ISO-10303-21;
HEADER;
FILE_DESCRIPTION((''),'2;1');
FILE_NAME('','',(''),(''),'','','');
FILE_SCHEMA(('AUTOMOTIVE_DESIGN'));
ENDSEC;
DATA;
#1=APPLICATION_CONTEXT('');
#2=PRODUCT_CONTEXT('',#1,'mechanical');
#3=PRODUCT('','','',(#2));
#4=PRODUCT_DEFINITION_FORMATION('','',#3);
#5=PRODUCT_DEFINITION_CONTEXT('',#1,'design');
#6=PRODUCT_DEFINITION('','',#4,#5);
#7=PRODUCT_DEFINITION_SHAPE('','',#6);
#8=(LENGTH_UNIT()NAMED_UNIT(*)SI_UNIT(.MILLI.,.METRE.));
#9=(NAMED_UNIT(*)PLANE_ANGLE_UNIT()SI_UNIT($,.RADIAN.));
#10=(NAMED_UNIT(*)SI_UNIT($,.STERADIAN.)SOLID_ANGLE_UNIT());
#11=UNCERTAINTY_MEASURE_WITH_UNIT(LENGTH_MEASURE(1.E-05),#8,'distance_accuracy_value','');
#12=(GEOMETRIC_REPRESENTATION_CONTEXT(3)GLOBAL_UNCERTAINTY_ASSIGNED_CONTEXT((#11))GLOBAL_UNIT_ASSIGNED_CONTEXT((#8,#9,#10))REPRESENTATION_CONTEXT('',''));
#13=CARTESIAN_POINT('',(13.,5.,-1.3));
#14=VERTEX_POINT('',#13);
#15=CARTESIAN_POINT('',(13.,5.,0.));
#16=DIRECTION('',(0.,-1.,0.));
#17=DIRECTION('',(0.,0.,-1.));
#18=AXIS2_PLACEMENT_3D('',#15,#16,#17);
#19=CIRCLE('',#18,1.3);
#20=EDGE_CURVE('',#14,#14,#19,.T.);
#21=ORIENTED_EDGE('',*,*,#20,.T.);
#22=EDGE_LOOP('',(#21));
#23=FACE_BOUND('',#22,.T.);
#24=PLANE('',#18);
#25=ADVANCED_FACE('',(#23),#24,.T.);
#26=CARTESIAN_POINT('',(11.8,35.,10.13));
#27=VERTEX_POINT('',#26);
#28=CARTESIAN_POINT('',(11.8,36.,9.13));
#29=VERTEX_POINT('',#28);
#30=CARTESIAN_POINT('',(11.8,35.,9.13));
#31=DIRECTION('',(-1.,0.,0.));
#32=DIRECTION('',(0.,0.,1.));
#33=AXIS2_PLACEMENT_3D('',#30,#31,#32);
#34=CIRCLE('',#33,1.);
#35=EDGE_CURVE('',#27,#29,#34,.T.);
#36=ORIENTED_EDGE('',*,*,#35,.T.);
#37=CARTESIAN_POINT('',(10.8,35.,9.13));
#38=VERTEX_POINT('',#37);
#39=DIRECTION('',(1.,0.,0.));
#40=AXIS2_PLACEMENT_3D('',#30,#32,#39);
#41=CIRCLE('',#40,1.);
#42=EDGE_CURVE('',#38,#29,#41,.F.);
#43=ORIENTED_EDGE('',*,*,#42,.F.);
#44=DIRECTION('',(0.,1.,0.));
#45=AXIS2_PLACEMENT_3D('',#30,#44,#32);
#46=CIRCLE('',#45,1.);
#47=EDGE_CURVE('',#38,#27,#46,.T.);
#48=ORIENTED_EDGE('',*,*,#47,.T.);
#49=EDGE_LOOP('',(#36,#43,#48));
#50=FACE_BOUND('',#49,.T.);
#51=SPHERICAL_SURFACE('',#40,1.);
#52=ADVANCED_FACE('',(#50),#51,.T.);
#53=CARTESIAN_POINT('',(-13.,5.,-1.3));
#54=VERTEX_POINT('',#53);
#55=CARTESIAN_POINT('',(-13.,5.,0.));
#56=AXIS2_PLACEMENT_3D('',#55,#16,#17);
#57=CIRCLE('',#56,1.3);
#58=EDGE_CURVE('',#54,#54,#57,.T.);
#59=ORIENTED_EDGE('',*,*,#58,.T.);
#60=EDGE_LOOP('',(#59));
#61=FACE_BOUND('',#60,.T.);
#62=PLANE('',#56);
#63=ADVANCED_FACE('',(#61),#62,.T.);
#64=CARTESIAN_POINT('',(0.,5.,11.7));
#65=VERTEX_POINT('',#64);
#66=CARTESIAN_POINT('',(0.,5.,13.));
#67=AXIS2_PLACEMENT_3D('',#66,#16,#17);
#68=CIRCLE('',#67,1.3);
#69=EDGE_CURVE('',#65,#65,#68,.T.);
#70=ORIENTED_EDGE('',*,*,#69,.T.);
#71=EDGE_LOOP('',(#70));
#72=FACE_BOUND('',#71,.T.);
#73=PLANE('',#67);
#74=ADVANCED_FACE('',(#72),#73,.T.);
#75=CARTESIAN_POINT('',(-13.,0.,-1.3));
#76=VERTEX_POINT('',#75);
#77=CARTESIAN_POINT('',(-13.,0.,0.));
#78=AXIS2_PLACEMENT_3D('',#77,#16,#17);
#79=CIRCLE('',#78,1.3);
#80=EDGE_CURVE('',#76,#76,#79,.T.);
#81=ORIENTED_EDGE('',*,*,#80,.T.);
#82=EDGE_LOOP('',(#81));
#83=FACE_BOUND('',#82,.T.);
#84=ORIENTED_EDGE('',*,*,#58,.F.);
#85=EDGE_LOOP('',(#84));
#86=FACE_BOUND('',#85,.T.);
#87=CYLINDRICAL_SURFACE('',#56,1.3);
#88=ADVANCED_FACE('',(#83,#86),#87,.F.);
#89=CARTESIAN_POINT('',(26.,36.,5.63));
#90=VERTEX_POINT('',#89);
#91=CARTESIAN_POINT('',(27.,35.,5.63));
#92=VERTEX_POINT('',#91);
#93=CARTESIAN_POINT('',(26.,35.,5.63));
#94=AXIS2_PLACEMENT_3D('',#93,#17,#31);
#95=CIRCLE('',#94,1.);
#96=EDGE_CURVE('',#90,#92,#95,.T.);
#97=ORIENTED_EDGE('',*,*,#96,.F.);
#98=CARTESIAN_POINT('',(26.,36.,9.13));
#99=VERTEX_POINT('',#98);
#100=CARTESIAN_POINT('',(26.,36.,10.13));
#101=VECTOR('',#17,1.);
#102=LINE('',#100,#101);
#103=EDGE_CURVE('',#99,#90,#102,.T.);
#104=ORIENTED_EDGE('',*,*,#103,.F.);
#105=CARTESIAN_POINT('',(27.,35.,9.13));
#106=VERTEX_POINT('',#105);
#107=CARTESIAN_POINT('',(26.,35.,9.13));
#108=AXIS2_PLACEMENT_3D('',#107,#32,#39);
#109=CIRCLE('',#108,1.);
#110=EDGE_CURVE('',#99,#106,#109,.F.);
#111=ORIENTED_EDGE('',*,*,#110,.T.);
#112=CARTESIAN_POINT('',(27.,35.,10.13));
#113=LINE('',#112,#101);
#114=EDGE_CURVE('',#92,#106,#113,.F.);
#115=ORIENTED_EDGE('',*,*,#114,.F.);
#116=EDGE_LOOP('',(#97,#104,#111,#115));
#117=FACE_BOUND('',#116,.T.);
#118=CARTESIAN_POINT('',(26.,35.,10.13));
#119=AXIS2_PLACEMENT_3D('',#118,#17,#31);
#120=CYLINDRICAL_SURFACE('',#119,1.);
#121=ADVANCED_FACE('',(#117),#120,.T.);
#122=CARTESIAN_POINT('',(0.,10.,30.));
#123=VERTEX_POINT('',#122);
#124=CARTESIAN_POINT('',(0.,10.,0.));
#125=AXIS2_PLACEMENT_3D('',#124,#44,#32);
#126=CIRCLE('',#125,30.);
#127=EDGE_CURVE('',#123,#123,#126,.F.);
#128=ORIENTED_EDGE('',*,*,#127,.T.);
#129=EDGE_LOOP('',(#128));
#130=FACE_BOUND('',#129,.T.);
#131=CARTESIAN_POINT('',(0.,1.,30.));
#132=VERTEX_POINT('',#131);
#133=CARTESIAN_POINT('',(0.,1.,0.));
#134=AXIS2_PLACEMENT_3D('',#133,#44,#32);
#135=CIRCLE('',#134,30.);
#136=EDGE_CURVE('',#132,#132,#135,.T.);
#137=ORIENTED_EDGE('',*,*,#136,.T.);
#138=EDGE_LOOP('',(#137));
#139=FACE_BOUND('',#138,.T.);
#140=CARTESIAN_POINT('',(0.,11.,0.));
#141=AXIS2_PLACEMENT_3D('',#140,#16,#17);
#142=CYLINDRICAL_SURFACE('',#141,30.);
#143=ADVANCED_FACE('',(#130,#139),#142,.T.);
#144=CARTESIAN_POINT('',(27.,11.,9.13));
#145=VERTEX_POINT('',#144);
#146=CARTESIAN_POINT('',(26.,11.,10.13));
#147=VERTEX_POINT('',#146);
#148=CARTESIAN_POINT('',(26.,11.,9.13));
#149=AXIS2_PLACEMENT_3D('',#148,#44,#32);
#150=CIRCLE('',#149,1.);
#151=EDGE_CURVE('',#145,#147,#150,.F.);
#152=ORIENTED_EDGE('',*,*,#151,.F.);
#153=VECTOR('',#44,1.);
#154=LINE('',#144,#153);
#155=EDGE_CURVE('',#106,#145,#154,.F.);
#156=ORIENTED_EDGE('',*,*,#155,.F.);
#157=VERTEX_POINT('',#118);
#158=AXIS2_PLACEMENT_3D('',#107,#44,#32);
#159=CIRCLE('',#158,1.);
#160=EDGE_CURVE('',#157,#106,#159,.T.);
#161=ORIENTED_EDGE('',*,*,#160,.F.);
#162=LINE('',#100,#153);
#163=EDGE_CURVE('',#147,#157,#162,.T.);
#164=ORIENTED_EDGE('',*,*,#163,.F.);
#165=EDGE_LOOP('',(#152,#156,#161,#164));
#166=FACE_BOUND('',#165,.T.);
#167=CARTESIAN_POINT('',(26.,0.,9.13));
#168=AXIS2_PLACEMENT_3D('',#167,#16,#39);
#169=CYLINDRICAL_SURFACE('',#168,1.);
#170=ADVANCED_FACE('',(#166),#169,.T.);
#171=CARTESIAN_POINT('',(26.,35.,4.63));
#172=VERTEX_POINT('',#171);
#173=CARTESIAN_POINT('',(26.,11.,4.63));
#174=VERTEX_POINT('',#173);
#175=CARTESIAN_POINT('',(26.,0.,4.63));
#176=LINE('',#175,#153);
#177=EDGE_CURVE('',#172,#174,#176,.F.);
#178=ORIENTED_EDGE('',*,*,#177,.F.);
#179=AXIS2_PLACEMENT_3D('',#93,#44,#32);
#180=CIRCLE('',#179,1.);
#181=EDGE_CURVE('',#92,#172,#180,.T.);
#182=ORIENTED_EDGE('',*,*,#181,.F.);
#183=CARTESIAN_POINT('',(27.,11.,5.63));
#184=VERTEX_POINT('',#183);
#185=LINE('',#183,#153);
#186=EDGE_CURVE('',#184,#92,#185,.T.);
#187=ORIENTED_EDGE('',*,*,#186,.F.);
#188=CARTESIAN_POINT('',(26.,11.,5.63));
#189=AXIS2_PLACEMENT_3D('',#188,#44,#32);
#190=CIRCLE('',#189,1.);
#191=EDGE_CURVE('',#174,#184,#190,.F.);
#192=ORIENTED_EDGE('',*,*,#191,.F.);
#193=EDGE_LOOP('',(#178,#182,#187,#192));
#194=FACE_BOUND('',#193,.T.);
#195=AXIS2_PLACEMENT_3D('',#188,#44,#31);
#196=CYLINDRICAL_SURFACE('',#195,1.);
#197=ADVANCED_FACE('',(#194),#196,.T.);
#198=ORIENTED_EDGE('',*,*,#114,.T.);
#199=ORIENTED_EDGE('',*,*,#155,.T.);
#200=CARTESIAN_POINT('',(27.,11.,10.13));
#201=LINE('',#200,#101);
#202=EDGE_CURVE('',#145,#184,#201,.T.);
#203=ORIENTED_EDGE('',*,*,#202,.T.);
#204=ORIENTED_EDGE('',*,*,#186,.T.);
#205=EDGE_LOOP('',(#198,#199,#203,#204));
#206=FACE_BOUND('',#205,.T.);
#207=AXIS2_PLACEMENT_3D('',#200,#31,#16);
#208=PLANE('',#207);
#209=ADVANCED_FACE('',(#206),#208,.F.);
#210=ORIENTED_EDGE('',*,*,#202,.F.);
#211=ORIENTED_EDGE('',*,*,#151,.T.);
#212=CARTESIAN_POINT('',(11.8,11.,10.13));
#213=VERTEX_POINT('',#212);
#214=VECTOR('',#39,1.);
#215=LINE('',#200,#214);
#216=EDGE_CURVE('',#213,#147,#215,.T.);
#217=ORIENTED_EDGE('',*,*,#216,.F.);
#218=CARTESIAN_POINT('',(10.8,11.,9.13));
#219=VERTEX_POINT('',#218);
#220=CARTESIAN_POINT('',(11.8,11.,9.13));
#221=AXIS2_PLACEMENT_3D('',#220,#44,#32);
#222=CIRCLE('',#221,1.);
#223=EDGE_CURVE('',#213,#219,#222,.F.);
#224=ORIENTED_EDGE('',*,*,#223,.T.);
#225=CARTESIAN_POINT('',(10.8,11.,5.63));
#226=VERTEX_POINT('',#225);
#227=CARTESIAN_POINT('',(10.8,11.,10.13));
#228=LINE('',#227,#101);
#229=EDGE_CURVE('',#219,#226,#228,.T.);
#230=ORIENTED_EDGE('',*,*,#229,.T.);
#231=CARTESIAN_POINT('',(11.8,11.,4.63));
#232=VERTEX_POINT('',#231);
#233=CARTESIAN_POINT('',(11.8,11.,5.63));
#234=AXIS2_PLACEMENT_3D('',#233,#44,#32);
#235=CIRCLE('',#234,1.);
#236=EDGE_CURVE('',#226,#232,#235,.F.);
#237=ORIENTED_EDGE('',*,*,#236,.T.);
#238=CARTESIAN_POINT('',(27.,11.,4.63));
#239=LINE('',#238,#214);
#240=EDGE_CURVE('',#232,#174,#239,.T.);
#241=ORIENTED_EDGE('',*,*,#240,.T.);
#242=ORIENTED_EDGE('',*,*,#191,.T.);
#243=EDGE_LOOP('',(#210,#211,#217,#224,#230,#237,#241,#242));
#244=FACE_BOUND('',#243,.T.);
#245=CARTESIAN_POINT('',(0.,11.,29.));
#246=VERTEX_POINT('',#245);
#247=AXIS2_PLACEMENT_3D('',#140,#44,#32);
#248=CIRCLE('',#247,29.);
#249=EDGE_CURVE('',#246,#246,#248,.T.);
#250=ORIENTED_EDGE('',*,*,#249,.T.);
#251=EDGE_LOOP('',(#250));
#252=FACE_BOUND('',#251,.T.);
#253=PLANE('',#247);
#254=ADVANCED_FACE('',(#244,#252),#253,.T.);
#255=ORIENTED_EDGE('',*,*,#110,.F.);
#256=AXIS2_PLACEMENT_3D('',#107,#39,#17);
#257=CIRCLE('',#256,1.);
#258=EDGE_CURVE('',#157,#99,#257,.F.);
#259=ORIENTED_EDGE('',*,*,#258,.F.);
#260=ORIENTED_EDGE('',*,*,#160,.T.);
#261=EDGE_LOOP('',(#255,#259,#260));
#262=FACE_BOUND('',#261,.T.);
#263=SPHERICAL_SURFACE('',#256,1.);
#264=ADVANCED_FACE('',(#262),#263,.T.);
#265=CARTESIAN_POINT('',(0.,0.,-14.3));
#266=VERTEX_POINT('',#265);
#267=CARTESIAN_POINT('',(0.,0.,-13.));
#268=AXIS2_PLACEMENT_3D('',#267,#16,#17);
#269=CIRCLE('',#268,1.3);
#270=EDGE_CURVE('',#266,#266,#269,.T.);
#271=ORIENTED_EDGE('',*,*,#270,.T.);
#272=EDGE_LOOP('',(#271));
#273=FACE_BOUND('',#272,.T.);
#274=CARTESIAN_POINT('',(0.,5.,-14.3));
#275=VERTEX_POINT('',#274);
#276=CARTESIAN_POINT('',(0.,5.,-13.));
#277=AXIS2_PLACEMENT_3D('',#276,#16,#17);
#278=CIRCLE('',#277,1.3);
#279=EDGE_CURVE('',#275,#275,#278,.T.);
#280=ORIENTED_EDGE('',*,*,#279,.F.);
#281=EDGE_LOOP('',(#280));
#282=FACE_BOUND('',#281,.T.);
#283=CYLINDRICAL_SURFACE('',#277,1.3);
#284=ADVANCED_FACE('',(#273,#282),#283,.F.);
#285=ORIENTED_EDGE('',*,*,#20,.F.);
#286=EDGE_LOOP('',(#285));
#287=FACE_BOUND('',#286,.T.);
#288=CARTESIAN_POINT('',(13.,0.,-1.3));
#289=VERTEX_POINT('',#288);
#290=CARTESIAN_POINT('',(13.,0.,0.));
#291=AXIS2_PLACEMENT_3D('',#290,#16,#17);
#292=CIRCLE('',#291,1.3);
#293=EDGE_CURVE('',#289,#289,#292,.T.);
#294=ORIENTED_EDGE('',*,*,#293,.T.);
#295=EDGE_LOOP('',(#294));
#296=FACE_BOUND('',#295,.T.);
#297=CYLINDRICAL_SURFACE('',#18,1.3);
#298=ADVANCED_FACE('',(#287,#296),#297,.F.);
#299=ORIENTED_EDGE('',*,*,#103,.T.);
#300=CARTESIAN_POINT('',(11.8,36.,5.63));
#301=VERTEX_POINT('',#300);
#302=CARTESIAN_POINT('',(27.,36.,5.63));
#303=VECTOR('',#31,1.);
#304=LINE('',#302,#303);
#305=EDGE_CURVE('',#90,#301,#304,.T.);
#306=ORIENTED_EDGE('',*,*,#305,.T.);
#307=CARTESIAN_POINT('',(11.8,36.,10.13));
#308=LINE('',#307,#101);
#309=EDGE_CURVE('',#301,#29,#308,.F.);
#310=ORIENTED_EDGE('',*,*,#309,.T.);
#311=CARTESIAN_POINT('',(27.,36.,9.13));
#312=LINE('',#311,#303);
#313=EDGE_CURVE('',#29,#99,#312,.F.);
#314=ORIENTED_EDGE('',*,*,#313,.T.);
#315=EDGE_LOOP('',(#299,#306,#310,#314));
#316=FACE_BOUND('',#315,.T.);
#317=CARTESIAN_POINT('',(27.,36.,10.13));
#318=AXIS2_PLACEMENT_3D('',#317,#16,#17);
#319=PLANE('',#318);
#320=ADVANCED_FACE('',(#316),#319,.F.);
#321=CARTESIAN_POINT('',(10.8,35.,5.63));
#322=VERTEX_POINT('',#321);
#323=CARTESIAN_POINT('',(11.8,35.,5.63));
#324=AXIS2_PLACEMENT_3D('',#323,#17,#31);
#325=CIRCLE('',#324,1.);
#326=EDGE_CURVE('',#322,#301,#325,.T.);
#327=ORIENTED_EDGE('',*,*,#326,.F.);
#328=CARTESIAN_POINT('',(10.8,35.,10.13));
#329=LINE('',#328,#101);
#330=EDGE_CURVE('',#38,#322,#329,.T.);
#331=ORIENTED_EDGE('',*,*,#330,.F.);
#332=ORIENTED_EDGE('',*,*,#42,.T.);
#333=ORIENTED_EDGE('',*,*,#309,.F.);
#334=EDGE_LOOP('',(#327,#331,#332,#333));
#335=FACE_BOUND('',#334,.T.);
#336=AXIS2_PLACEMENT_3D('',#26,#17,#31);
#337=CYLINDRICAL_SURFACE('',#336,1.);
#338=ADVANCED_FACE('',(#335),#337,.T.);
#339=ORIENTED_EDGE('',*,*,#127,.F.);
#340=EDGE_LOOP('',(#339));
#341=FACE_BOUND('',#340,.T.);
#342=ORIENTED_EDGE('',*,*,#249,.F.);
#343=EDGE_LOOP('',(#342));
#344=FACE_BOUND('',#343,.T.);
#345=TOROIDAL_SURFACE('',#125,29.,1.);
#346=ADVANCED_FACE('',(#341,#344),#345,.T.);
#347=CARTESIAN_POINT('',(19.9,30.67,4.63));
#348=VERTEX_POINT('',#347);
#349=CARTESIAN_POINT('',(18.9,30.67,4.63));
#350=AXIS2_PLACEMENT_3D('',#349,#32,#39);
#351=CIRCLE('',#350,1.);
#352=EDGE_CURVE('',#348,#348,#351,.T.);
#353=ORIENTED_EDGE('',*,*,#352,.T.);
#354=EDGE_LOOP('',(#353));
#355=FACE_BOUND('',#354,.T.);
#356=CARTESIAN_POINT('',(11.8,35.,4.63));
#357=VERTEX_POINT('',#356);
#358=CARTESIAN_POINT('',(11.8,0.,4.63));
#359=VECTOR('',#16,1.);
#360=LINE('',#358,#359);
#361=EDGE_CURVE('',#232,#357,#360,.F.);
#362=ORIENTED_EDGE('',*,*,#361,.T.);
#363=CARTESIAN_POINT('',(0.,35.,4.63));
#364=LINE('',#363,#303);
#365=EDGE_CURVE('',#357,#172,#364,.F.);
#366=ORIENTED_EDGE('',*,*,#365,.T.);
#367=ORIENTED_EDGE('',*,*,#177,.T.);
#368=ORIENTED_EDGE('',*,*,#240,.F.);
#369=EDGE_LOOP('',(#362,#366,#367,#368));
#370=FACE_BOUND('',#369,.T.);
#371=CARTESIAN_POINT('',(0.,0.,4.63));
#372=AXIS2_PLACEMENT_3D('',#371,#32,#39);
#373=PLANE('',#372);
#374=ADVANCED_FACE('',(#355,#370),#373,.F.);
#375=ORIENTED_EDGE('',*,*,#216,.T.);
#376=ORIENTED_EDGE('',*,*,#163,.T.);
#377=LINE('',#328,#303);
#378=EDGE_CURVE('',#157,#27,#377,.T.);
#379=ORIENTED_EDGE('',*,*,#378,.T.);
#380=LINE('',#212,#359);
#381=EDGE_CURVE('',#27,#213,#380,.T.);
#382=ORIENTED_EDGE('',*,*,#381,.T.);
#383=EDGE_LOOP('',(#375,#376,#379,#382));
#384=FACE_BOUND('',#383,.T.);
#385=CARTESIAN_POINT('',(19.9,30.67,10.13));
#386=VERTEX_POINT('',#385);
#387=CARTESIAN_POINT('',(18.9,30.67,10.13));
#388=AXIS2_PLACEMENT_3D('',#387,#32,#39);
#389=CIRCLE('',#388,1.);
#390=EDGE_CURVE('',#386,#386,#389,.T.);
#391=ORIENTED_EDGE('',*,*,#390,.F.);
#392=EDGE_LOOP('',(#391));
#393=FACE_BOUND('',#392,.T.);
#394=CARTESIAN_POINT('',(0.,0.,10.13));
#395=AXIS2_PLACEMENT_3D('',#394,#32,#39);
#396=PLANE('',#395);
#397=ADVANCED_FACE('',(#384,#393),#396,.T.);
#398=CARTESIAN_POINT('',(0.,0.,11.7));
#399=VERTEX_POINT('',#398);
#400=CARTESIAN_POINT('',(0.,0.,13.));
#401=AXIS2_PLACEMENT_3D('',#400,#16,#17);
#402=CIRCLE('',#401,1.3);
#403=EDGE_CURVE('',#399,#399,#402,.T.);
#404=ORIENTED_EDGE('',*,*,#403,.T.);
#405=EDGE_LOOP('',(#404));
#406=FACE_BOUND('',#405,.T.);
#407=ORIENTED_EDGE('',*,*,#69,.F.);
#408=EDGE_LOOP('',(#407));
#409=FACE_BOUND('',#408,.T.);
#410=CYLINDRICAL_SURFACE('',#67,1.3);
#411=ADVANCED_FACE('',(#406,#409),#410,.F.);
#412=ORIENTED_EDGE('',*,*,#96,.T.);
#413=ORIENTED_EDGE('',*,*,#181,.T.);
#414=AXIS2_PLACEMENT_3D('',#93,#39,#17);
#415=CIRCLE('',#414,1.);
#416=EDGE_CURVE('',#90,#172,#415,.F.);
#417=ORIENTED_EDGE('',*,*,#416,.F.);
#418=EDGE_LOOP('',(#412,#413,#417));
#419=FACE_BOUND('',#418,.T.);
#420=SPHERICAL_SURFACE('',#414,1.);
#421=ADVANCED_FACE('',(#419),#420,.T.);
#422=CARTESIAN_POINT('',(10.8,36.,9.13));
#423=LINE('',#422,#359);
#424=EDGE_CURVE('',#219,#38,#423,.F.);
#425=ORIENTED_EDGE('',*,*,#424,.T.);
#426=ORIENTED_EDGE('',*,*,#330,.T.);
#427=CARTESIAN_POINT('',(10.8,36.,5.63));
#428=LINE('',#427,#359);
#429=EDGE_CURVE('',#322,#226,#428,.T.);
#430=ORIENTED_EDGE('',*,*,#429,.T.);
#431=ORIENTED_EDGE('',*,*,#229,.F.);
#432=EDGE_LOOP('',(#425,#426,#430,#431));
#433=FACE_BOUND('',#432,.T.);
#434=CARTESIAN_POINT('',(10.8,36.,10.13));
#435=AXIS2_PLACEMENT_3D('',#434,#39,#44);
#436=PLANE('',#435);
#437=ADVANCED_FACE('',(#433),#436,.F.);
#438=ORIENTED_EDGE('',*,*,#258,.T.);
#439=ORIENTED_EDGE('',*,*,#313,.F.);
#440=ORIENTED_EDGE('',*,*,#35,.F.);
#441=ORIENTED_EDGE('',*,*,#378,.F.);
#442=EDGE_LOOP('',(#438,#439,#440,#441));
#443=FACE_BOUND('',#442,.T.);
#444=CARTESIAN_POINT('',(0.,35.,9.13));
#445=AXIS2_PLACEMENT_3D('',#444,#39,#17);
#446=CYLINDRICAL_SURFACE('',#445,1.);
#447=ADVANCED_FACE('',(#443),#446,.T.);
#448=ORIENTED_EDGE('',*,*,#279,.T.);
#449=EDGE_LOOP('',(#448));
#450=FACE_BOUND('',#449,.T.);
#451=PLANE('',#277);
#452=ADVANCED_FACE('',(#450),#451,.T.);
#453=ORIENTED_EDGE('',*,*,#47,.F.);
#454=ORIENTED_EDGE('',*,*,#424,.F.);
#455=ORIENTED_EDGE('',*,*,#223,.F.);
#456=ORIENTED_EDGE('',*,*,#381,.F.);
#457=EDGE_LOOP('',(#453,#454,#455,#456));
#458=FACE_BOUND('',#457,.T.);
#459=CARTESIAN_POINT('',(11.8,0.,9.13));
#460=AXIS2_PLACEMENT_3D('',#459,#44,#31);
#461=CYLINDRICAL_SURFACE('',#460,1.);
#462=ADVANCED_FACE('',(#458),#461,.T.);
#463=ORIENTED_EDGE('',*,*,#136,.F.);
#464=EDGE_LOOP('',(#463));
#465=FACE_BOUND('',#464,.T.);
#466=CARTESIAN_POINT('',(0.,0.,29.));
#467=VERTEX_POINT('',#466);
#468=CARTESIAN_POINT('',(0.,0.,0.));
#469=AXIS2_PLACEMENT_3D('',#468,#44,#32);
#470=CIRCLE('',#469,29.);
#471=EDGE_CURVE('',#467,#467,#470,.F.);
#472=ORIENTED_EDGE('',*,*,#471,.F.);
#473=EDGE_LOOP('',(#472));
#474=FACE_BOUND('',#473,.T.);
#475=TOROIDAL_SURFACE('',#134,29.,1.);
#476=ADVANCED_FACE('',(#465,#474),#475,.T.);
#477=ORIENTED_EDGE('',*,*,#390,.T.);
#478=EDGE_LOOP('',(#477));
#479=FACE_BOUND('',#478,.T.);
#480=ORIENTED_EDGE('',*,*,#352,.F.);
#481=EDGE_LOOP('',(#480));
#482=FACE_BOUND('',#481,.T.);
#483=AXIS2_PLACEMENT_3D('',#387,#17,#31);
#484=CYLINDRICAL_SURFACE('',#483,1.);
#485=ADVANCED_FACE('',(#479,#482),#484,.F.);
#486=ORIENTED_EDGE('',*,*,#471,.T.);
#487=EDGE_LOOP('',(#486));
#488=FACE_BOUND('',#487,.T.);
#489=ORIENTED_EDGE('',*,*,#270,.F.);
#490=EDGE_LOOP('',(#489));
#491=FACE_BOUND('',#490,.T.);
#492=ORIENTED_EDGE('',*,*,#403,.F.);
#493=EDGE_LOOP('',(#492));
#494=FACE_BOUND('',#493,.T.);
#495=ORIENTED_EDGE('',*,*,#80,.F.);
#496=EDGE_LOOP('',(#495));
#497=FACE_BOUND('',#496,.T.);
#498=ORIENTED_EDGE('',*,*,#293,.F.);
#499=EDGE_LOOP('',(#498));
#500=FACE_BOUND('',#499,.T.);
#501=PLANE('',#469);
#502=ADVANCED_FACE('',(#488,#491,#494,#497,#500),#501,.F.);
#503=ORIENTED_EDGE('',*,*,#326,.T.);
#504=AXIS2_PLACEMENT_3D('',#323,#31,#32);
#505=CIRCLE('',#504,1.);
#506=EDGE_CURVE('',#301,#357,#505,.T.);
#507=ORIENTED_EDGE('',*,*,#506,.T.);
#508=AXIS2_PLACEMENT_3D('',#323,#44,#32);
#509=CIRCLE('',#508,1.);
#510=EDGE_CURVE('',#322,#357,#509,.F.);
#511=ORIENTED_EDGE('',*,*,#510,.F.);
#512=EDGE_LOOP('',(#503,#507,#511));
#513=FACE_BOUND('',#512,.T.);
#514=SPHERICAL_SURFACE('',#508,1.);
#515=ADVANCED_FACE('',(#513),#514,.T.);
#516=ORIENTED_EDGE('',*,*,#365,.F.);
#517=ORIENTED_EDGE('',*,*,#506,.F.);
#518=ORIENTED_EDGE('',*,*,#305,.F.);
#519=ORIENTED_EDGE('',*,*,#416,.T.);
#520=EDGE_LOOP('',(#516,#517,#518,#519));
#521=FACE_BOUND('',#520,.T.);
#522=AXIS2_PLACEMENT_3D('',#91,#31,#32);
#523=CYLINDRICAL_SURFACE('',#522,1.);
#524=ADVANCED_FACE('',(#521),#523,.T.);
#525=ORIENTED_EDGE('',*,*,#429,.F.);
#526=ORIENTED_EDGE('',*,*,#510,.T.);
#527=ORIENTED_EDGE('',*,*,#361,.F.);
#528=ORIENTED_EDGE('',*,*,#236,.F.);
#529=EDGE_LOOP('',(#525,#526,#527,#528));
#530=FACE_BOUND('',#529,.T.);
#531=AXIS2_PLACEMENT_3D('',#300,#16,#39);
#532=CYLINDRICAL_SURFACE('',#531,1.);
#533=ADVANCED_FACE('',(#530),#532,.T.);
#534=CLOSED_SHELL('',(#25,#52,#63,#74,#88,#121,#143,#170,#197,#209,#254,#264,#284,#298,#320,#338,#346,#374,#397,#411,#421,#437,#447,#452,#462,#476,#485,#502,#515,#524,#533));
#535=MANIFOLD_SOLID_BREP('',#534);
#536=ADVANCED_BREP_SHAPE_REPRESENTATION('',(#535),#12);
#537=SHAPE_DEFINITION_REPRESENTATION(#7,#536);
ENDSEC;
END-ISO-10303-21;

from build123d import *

# Parameters (mm, degrees)
SKETCH_2_R          = 30
EXTRUDE_1_DEPTH     = 11
SKETCH_3_W          = 16.2
SKETCH_3_H          = 25
SKETCH_3_R          = 1
EXTRUDE_2_DEPTH     = 5.5
FILLET_1_R          = 1
SKETCH_4_R          = 1.3
CUT_EXTRUDE_1_DEPTH = 5


with BuildPart() as part:
    # 草图2 → 凸台-拉伸1 (new body)
    with BuildSketch(Plane(origin=(0, 0, 0), x_dir=(1, 0, 0), z_dir=(0, 1, 0))):
        with Locations(Location((0, 0, 0), (0, 0, 270))):
            Circle(SKETCH_2_R)
    extrude(amount=EXTRUDE_1_DEPTH)

    # 草图3 → 凸台-拉伸2 (add)
    with BuildSketch(Plane.XY.offset(4.63)):
        with Locations((18.9, 23.5)):
            Rectangle(SKETCH_3_W, SKETCH_3_H)
        with Locations((18.9, 30.67)):
            Circle(SKETCH_3_R, mode=Mode.SUBTRACT)
    extrude(amount=EXTRUDE_2_DEPTH)

    # 圆角1
    fillet_1_edges = [part.edges().sort_by_distance(p)[0] for p in [
        (27, 36, 7.38),
        (10.8, 23.5, 4.63),
        (10.8, 36, 7.38),
        (0, 0, -30),
        (0, 11, -30),
        (27, 23.5, 10.13),
        (18.9, 36, 10.13),
        (10.8, 23.5, 10.13),
        (27, 23.5, 4.63),
        (18.9, 36, 4.63),
    ]]
    fillet(fillet_1_edges, radius=FILLET_1_R)

    # 草图4 → 切除-拉伸1 (cut)
    with BuildSketch(Plane(origin=(0, 0, 0), x_dir=(-1, 0, 0), z_dir=(0, -1, 0))):
        with Locations(Location((0, -13, 0), (0, 0, 90))):
            Circle(SKETCH_4_R)
        with Locations(Location((-13, 0, 0), (0, 0, 90))):
            Circle(SKETCH_4_R)
        with Locations(Location((0, 13, 0), (0, 0, 90))):
            Circle(SKETCH_4_R)
        with Locations(Location((13, 0, 0), (0, 0, 90))):
            Circle(SKETCH_4_R)
    extrude(amount=-CUT_EXTRUDE_1_DEPTH, mode=Mode.SUBTRACT)


solid = part.part
